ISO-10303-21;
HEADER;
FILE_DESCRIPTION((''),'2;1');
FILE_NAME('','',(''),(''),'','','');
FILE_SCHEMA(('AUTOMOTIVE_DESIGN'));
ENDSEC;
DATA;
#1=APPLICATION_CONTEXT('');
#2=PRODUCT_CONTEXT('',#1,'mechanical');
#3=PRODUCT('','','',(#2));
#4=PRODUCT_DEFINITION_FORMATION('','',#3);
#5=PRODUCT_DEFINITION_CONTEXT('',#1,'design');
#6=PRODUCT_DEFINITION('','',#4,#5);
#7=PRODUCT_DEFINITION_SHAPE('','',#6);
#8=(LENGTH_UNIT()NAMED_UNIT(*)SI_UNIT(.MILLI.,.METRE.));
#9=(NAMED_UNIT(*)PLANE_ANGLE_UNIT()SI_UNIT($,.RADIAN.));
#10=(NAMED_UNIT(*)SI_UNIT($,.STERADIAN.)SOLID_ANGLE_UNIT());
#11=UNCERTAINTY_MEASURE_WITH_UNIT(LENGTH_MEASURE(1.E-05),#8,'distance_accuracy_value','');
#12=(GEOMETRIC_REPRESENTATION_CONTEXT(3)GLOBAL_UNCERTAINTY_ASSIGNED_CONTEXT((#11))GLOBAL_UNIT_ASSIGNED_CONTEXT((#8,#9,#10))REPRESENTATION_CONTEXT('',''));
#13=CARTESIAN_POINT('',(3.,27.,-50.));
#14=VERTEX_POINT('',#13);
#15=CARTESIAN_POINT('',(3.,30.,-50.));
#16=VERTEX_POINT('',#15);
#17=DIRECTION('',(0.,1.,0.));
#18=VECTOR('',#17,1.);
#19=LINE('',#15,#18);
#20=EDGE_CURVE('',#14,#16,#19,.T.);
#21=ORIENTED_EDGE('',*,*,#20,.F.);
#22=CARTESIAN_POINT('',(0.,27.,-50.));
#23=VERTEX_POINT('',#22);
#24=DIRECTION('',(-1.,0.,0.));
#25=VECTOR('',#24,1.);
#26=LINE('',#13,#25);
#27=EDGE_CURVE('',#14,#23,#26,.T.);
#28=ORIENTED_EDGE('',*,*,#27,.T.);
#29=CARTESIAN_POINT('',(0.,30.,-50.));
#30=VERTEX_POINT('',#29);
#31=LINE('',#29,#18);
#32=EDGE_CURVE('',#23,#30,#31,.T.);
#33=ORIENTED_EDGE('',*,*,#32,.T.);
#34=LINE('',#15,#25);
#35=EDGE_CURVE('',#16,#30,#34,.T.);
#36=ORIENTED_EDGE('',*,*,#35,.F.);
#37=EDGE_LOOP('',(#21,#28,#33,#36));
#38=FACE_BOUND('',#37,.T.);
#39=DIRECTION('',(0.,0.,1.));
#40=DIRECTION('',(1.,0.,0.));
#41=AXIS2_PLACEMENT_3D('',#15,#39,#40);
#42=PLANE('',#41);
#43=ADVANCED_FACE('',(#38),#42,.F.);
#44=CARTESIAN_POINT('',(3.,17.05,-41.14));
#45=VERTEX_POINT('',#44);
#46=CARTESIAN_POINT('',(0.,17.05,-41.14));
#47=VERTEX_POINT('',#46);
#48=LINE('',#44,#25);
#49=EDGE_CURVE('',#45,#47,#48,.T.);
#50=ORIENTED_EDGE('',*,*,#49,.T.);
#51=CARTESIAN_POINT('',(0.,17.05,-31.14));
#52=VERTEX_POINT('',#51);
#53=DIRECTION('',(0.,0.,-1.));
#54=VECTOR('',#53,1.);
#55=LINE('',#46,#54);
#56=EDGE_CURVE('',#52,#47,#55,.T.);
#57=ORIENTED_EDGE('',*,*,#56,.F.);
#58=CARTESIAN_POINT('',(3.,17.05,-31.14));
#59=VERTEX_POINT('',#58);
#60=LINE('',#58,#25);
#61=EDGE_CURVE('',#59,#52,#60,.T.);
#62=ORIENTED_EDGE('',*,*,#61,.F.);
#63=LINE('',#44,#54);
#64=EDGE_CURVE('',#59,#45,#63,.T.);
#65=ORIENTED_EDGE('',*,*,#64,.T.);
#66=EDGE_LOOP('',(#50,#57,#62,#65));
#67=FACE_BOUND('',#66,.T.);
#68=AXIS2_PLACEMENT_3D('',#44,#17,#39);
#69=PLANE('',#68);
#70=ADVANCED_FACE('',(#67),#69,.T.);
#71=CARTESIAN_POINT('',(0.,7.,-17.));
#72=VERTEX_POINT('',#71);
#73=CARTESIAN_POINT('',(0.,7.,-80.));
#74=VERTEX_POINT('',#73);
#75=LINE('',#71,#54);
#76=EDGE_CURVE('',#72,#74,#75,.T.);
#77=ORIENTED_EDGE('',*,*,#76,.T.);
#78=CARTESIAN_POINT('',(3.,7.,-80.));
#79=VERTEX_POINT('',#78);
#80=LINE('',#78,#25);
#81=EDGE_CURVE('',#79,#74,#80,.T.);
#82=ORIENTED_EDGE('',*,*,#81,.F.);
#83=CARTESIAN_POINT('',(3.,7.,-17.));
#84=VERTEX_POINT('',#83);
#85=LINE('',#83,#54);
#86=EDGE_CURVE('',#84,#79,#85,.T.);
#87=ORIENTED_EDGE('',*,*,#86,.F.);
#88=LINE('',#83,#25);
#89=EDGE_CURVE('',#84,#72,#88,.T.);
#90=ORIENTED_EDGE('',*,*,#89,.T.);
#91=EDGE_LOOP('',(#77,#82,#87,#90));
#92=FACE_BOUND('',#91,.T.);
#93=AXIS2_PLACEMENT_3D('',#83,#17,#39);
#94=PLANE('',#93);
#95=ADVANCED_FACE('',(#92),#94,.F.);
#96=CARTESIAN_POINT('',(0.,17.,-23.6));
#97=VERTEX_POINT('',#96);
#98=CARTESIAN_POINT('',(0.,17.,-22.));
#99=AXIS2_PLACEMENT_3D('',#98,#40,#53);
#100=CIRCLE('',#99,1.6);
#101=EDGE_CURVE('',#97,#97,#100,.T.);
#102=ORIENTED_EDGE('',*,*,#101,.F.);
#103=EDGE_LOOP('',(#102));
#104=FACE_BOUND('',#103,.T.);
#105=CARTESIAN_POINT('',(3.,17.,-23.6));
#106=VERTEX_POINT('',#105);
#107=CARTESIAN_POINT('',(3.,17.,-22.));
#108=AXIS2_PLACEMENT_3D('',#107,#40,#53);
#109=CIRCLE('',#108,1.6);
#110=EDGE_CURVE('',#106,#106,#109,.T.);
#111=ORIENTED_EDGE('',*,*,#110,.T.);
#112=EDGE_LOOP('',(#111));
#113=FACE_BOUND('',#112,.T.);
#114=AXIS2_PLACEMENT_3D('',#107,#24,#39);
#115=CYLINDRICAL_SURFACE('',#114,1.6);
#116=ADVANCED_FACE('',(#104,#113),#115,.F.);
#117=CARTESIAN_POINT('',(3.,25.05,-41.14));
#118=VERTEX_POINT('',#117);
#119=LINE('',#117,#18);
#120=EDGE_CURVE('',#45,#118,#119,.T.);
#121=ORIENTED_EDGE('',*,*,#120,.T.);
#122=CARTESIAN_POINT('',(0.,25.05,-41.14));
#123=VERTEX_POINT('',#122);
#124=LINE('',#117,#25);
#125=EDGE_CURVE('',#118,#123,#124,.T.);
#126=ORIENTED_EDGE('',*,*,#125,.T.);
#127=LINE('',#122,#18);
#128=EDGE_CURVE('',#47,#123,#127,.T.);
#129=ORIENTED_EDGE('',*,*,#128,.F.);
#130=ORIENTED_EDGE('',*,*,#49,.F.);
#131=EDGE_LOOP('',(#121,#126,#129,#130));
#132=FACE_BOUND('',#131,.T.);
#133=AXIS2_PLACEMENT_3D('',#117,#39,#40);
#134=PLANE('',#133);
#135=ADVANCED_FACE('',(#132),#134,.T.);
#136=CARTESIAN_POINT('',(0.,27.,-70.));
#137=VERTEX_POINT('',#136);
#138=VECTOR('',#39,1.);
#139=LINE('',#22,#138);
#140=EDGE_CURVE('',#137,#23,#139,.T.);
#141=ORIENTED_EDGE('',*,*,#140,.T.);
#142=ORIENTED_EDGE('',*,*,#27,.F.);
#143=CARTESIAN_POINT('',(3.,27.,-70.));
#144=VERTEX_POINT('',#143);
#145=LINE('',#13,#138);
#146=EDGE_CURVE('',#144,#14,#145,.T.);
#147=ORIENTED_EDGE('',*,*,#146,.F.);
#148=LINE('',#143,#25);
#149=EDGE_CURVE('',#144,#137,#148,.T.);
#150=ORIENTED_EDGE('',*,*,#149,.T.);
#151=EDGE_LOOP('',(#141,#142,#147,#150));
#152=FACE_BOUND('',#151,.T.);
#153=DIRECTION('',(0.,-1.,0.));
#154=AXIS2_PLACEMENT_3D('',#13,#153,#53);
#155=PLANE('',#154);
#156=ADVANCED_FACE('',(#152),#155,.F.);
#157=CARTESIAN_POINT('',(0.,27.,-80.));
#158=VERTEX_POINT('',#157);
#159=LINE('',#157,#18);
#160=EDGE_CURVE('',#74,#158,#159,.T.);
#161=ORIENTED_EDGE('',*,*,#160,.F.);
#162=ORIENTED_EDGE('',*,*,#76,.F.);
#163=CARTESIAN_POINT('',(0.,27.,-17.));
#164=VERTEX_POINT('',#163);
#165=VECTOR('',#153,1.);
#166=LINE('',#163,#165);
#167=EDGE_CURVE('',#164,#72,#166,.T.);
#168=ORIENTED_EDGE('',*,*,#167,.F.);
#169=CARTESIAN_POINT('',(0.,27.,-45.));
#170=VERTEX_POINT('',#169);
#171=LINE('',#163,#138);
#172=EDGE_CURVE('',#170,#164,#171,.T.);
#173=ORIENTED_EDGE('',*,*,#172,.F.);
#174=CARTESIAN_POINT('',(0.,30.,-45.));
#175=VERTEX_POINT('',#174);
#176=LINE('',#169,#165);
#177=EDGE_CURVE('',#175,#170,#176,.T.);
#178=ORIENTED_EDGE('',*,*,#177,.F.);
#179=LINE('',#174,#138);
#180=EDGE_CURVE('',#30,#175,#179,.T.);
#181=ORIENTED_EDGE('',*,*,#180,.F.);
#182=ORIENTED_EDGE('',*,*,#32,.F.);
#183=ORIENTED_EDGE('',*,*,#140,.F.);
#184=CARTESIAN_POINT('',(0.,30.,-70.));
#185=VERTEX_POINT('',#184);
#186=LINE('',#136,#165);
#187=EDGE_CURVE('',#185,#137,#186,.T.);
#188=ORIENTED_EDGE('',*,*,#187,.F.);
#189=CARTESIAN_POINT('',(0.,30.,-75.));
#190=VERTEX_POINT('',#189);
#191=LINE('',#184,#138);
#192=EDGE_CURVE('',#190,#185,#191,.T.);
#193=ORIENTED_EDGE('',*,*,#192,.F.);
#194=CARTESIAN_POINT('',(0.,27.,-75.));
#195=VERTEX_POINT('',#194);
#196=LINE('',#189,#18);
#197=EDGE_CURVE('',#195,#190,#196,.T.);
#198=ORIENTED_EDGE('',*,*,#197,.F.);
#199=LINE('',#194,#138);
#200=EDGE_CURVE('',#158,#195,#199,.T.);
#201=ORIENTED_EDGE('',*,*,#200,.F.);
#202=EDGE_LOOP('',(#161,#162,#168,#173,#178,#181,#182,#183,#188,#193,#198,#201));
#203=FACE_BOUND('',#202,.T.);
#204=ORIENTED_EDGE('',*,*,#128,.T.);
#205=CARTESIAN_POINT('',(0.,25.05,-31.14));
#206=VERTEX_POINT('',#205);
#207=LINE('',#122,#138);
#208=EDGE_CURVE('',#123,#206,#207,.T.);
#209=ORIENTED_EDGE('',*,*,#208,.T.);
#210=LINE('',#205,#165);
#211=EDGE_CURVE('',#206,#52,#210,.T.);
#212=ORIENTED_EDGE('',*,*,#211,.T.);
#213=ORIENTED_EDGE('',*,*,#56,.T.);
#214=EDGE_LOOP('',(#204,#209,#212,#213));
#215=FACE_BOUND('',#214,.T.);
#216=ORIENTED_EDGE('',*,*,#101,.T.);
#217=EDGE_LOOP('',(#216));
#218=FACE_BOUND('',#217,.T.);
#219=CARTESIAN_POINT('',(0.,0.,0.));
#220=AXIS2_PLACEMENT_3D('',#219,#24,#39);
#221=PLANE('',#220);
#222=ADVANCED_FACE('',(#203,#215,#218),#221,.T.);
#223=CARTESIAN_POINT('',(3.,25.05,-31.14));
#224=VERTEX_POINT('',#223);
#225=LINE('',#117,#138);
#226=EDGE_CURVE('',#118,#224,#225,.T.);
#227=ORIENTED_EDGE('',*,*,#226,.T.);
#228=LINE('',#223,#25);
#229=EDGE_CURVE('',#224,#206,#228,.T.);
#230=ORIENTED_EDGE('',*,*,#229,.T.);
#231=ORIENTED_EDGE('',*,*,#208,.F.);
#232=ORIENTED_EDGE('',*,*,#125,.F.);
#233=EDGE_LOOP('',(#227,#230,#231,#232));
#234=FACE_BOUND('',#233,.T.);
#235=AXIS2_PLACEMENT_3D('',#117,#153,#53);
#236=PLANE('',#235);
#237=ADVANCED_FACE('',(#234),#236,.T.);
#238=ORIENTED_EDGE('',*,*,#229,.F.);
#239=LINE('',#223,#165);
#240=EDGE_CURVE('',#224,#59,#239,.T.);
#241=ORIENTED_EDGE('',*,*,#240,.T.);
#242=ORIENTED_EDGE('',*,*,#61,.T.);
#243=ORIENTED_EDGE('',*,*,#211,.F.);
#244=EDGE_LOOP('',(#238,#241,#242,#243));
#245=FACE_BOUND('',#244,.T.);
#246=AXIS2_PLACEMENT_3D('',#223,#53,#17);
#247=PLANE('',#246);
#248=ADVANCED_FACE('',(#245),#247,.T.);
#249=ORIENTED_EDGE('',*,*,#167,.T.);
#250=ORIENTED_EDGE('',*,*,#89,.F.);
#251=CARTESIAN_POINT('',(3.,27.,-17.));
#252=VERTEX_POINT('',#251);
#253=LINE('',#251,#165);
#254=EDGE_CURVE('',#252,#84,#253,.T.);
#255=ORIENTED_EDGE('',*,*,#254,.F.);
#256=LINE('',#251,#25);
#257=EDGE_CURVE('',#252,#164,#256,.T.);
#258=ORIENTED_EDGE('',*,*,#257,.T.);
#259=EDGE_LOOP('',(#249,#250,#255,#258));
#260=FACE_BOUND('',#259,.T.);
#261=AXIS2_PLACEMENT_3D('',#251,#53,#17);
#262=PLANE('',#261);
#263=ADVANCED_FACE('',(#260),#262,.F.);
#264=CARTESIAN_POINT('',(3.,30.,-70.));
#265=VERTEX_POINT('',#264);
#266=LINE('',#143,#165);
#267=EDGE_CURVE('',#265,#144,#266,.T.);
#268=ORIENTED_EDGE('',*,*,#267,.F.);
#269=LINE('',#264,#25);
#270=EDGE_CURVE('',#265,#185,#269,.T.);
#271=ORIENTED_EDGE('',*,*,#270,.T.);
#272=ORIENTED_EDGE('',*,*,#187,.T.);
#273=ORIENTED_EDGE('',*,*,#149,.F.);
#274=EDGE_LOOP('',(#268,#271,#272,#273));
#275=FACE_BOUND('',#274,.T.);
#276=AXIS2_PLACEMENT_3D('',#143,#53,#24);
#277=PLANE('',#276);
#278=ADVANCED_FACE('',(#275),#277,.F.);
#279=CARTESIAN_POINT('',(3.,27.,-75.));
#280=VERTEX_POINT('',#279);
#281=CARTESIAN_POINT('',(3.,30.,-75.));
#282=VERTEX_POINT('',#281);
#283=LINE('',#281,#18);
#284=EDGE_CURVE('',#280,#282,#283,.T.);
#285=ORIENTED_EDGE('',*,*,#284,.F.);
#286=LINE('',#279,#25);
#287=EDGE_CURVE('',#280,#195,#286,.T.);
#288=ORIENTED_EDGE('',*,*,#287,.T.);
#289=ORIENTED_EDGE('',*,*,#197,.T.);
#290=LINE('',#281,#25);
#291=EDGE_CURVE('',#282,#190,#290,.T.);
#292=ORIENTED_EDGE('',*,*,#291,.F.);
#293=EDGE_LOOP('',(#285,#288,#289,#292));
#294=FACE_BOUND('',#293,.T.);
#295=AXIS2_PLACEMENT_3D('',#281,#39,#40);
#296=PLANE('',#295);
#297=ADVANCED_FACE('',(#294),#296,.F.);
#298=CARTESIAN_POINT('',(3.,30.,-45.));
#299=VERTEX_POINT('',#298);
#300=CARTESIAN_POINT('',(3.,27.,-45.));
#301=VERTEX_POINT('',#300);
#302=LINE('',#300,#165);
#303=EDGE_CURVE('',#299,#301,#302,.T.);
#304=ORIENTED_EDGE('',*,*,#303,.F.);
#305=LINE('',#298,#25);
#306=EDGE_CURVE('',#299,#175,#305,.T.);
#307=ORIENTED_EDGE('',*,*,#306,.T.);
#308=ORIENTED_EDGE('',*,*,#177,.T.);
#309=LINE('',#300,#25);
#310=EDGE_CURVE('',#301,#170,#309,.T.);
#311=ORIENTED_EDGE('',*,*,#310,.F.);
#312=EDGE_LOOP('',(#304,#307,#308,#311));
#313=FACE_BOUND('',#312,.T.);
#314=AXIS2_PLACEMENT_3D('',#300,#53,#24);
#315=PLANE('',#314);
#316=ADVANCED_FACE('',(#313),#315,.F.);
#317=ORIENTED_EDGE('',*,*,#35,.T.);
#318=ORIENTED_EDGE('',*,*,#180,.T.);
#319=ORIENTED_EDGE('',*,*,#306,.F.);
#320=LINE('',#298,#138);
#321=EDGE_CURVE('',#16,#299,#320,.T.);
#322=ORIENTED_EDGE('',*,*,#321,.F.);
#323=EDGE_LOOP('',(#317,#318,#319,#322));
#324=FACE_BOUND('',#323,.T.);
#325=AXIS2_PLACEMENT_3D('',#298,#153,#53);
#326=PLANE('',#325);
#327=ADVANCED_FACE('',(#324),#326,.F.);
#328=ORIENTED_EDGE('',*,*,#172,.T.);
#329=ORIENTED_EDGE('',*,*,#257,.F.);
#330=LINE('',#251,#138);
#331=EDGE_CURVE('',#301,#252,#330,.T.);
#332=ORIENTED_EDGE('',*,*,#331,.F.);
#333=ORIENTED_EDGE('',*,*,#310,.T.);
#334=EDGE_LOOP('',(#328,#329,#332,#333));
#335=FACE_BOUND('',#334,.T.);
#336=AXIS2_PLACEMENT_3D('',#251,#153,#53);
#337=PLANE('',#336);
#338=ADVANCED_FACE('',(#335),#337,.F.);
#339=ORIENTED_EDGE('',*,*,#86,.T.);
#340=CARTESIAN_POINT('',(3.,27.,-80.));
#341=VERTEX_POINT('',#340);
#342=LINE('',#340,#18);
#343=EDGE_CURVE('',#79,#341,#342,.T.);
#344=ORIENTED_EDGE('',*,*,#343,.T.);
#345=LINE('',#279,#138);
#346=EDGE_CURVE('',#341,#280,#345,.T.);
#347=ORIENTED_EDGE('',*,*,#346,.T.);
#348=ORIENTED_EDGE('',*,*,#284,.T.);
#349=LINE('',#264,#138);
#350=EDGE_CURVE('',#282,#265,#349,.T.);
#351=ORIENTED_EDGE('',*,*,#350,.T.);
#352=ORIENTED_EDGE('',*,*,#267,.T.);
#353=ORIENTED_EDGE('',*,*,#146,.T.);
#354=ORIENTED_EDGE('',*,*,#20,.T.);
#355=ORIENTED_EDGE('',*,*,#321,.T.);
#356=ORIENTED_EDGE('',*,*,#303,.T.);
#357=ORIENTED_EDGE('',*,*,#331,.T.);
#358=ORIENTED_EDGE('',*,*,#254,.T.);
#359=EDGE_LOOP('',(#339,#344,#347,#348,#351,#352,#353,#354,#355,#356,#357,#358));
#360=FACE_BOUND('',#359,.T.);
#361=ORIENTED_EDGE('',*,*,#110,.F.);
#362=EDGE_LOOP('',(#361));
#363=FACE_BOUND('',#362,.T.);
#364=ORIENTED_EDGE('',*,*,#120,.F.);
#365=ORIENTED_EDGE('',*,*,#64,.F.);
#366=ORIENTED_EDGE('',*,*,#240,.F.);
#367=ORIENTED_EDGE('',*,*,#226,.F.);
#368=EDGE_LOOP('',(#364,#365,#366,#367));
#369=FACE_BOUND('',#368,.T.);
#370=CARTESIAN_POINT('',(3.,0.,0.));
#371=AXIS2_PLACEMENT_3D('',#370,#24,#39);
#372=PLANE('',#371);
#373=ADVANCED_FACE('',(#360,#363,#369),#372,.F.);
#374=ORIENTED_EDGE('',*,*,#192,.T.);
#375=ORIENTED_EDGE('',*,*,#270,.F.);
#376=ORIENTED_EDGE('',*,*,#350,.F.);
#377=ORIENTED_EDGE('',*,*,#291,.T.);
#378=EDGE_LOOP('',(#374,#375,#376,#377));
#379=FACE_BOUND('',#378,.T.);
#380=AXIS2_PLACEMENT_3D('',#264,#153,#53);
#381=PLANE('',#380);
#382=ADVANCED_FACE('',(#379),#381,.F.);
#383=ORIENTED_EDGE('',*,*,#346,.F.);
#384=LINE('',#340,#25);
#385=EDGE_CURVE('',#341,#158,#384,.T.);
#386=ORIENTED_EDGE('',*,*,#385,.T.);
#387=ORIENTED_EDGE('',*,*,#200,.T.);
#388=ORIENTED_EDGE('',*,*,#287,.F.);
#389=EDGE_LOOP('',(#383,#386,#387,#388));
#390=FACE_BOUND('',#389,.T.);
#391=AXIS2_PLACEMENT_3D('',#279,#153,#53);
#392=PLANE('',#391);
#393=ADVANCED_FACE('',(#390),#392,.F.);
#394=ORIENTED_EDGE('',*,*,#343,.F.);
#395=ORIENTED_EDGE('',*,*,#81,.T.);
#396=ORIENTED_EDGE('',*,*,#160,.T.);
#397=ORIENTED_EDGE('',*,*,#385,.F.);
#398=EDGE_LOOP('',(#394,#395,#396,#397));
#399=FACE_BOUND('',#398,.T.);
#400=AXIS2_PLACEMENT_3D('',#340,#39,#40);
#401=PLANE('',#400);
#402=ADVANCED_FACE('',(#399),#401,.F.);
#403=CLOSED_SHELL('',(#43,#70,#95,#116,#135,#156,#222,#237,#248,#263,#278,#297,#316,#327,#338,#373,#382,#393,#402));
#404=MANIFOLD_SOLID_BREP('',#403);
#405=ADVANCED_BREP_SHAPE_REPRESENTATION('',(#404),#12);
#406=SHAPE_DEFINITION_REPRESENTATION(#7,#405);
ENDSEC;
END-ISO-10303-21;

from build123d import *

# Parameters (mm, degrees)
SKETCH_1_R      = 1.6
SKETCH_1_W      = 10
SKETCH_1_H      = 8
EXTRUDE_1_DEPTH = 3


with BuildPart() as part:
    # ｽｹｯﾁ1 → ﾎﾞｽ - 押し出し1 (new body)
    with BuildSketch(Plane(origin=(0, 0, 0), x_dir=(0, 0, -1), z_dir=(1, 0, 0))):
        Polygon((17, 27), (17, 7), (80, 7), (80, 27), (75, 27), (75, 30), (70, 30), (70, 27), (50, 27), (50, 30), (45, 30), (45, 27), align=None)
        with Locations((22, 17)):
            Circle(SKETCH_1_R, mode=Mode.SUBTRACT)
        with Locations((36.14, 21.05)):
            Rectangle(SKETCH_1_W, SKETCH_1_H, mode=Mode.SUBTRACT)
    extrude(amount=EXTRUDE_1_DEPTH)


solid = part.part
